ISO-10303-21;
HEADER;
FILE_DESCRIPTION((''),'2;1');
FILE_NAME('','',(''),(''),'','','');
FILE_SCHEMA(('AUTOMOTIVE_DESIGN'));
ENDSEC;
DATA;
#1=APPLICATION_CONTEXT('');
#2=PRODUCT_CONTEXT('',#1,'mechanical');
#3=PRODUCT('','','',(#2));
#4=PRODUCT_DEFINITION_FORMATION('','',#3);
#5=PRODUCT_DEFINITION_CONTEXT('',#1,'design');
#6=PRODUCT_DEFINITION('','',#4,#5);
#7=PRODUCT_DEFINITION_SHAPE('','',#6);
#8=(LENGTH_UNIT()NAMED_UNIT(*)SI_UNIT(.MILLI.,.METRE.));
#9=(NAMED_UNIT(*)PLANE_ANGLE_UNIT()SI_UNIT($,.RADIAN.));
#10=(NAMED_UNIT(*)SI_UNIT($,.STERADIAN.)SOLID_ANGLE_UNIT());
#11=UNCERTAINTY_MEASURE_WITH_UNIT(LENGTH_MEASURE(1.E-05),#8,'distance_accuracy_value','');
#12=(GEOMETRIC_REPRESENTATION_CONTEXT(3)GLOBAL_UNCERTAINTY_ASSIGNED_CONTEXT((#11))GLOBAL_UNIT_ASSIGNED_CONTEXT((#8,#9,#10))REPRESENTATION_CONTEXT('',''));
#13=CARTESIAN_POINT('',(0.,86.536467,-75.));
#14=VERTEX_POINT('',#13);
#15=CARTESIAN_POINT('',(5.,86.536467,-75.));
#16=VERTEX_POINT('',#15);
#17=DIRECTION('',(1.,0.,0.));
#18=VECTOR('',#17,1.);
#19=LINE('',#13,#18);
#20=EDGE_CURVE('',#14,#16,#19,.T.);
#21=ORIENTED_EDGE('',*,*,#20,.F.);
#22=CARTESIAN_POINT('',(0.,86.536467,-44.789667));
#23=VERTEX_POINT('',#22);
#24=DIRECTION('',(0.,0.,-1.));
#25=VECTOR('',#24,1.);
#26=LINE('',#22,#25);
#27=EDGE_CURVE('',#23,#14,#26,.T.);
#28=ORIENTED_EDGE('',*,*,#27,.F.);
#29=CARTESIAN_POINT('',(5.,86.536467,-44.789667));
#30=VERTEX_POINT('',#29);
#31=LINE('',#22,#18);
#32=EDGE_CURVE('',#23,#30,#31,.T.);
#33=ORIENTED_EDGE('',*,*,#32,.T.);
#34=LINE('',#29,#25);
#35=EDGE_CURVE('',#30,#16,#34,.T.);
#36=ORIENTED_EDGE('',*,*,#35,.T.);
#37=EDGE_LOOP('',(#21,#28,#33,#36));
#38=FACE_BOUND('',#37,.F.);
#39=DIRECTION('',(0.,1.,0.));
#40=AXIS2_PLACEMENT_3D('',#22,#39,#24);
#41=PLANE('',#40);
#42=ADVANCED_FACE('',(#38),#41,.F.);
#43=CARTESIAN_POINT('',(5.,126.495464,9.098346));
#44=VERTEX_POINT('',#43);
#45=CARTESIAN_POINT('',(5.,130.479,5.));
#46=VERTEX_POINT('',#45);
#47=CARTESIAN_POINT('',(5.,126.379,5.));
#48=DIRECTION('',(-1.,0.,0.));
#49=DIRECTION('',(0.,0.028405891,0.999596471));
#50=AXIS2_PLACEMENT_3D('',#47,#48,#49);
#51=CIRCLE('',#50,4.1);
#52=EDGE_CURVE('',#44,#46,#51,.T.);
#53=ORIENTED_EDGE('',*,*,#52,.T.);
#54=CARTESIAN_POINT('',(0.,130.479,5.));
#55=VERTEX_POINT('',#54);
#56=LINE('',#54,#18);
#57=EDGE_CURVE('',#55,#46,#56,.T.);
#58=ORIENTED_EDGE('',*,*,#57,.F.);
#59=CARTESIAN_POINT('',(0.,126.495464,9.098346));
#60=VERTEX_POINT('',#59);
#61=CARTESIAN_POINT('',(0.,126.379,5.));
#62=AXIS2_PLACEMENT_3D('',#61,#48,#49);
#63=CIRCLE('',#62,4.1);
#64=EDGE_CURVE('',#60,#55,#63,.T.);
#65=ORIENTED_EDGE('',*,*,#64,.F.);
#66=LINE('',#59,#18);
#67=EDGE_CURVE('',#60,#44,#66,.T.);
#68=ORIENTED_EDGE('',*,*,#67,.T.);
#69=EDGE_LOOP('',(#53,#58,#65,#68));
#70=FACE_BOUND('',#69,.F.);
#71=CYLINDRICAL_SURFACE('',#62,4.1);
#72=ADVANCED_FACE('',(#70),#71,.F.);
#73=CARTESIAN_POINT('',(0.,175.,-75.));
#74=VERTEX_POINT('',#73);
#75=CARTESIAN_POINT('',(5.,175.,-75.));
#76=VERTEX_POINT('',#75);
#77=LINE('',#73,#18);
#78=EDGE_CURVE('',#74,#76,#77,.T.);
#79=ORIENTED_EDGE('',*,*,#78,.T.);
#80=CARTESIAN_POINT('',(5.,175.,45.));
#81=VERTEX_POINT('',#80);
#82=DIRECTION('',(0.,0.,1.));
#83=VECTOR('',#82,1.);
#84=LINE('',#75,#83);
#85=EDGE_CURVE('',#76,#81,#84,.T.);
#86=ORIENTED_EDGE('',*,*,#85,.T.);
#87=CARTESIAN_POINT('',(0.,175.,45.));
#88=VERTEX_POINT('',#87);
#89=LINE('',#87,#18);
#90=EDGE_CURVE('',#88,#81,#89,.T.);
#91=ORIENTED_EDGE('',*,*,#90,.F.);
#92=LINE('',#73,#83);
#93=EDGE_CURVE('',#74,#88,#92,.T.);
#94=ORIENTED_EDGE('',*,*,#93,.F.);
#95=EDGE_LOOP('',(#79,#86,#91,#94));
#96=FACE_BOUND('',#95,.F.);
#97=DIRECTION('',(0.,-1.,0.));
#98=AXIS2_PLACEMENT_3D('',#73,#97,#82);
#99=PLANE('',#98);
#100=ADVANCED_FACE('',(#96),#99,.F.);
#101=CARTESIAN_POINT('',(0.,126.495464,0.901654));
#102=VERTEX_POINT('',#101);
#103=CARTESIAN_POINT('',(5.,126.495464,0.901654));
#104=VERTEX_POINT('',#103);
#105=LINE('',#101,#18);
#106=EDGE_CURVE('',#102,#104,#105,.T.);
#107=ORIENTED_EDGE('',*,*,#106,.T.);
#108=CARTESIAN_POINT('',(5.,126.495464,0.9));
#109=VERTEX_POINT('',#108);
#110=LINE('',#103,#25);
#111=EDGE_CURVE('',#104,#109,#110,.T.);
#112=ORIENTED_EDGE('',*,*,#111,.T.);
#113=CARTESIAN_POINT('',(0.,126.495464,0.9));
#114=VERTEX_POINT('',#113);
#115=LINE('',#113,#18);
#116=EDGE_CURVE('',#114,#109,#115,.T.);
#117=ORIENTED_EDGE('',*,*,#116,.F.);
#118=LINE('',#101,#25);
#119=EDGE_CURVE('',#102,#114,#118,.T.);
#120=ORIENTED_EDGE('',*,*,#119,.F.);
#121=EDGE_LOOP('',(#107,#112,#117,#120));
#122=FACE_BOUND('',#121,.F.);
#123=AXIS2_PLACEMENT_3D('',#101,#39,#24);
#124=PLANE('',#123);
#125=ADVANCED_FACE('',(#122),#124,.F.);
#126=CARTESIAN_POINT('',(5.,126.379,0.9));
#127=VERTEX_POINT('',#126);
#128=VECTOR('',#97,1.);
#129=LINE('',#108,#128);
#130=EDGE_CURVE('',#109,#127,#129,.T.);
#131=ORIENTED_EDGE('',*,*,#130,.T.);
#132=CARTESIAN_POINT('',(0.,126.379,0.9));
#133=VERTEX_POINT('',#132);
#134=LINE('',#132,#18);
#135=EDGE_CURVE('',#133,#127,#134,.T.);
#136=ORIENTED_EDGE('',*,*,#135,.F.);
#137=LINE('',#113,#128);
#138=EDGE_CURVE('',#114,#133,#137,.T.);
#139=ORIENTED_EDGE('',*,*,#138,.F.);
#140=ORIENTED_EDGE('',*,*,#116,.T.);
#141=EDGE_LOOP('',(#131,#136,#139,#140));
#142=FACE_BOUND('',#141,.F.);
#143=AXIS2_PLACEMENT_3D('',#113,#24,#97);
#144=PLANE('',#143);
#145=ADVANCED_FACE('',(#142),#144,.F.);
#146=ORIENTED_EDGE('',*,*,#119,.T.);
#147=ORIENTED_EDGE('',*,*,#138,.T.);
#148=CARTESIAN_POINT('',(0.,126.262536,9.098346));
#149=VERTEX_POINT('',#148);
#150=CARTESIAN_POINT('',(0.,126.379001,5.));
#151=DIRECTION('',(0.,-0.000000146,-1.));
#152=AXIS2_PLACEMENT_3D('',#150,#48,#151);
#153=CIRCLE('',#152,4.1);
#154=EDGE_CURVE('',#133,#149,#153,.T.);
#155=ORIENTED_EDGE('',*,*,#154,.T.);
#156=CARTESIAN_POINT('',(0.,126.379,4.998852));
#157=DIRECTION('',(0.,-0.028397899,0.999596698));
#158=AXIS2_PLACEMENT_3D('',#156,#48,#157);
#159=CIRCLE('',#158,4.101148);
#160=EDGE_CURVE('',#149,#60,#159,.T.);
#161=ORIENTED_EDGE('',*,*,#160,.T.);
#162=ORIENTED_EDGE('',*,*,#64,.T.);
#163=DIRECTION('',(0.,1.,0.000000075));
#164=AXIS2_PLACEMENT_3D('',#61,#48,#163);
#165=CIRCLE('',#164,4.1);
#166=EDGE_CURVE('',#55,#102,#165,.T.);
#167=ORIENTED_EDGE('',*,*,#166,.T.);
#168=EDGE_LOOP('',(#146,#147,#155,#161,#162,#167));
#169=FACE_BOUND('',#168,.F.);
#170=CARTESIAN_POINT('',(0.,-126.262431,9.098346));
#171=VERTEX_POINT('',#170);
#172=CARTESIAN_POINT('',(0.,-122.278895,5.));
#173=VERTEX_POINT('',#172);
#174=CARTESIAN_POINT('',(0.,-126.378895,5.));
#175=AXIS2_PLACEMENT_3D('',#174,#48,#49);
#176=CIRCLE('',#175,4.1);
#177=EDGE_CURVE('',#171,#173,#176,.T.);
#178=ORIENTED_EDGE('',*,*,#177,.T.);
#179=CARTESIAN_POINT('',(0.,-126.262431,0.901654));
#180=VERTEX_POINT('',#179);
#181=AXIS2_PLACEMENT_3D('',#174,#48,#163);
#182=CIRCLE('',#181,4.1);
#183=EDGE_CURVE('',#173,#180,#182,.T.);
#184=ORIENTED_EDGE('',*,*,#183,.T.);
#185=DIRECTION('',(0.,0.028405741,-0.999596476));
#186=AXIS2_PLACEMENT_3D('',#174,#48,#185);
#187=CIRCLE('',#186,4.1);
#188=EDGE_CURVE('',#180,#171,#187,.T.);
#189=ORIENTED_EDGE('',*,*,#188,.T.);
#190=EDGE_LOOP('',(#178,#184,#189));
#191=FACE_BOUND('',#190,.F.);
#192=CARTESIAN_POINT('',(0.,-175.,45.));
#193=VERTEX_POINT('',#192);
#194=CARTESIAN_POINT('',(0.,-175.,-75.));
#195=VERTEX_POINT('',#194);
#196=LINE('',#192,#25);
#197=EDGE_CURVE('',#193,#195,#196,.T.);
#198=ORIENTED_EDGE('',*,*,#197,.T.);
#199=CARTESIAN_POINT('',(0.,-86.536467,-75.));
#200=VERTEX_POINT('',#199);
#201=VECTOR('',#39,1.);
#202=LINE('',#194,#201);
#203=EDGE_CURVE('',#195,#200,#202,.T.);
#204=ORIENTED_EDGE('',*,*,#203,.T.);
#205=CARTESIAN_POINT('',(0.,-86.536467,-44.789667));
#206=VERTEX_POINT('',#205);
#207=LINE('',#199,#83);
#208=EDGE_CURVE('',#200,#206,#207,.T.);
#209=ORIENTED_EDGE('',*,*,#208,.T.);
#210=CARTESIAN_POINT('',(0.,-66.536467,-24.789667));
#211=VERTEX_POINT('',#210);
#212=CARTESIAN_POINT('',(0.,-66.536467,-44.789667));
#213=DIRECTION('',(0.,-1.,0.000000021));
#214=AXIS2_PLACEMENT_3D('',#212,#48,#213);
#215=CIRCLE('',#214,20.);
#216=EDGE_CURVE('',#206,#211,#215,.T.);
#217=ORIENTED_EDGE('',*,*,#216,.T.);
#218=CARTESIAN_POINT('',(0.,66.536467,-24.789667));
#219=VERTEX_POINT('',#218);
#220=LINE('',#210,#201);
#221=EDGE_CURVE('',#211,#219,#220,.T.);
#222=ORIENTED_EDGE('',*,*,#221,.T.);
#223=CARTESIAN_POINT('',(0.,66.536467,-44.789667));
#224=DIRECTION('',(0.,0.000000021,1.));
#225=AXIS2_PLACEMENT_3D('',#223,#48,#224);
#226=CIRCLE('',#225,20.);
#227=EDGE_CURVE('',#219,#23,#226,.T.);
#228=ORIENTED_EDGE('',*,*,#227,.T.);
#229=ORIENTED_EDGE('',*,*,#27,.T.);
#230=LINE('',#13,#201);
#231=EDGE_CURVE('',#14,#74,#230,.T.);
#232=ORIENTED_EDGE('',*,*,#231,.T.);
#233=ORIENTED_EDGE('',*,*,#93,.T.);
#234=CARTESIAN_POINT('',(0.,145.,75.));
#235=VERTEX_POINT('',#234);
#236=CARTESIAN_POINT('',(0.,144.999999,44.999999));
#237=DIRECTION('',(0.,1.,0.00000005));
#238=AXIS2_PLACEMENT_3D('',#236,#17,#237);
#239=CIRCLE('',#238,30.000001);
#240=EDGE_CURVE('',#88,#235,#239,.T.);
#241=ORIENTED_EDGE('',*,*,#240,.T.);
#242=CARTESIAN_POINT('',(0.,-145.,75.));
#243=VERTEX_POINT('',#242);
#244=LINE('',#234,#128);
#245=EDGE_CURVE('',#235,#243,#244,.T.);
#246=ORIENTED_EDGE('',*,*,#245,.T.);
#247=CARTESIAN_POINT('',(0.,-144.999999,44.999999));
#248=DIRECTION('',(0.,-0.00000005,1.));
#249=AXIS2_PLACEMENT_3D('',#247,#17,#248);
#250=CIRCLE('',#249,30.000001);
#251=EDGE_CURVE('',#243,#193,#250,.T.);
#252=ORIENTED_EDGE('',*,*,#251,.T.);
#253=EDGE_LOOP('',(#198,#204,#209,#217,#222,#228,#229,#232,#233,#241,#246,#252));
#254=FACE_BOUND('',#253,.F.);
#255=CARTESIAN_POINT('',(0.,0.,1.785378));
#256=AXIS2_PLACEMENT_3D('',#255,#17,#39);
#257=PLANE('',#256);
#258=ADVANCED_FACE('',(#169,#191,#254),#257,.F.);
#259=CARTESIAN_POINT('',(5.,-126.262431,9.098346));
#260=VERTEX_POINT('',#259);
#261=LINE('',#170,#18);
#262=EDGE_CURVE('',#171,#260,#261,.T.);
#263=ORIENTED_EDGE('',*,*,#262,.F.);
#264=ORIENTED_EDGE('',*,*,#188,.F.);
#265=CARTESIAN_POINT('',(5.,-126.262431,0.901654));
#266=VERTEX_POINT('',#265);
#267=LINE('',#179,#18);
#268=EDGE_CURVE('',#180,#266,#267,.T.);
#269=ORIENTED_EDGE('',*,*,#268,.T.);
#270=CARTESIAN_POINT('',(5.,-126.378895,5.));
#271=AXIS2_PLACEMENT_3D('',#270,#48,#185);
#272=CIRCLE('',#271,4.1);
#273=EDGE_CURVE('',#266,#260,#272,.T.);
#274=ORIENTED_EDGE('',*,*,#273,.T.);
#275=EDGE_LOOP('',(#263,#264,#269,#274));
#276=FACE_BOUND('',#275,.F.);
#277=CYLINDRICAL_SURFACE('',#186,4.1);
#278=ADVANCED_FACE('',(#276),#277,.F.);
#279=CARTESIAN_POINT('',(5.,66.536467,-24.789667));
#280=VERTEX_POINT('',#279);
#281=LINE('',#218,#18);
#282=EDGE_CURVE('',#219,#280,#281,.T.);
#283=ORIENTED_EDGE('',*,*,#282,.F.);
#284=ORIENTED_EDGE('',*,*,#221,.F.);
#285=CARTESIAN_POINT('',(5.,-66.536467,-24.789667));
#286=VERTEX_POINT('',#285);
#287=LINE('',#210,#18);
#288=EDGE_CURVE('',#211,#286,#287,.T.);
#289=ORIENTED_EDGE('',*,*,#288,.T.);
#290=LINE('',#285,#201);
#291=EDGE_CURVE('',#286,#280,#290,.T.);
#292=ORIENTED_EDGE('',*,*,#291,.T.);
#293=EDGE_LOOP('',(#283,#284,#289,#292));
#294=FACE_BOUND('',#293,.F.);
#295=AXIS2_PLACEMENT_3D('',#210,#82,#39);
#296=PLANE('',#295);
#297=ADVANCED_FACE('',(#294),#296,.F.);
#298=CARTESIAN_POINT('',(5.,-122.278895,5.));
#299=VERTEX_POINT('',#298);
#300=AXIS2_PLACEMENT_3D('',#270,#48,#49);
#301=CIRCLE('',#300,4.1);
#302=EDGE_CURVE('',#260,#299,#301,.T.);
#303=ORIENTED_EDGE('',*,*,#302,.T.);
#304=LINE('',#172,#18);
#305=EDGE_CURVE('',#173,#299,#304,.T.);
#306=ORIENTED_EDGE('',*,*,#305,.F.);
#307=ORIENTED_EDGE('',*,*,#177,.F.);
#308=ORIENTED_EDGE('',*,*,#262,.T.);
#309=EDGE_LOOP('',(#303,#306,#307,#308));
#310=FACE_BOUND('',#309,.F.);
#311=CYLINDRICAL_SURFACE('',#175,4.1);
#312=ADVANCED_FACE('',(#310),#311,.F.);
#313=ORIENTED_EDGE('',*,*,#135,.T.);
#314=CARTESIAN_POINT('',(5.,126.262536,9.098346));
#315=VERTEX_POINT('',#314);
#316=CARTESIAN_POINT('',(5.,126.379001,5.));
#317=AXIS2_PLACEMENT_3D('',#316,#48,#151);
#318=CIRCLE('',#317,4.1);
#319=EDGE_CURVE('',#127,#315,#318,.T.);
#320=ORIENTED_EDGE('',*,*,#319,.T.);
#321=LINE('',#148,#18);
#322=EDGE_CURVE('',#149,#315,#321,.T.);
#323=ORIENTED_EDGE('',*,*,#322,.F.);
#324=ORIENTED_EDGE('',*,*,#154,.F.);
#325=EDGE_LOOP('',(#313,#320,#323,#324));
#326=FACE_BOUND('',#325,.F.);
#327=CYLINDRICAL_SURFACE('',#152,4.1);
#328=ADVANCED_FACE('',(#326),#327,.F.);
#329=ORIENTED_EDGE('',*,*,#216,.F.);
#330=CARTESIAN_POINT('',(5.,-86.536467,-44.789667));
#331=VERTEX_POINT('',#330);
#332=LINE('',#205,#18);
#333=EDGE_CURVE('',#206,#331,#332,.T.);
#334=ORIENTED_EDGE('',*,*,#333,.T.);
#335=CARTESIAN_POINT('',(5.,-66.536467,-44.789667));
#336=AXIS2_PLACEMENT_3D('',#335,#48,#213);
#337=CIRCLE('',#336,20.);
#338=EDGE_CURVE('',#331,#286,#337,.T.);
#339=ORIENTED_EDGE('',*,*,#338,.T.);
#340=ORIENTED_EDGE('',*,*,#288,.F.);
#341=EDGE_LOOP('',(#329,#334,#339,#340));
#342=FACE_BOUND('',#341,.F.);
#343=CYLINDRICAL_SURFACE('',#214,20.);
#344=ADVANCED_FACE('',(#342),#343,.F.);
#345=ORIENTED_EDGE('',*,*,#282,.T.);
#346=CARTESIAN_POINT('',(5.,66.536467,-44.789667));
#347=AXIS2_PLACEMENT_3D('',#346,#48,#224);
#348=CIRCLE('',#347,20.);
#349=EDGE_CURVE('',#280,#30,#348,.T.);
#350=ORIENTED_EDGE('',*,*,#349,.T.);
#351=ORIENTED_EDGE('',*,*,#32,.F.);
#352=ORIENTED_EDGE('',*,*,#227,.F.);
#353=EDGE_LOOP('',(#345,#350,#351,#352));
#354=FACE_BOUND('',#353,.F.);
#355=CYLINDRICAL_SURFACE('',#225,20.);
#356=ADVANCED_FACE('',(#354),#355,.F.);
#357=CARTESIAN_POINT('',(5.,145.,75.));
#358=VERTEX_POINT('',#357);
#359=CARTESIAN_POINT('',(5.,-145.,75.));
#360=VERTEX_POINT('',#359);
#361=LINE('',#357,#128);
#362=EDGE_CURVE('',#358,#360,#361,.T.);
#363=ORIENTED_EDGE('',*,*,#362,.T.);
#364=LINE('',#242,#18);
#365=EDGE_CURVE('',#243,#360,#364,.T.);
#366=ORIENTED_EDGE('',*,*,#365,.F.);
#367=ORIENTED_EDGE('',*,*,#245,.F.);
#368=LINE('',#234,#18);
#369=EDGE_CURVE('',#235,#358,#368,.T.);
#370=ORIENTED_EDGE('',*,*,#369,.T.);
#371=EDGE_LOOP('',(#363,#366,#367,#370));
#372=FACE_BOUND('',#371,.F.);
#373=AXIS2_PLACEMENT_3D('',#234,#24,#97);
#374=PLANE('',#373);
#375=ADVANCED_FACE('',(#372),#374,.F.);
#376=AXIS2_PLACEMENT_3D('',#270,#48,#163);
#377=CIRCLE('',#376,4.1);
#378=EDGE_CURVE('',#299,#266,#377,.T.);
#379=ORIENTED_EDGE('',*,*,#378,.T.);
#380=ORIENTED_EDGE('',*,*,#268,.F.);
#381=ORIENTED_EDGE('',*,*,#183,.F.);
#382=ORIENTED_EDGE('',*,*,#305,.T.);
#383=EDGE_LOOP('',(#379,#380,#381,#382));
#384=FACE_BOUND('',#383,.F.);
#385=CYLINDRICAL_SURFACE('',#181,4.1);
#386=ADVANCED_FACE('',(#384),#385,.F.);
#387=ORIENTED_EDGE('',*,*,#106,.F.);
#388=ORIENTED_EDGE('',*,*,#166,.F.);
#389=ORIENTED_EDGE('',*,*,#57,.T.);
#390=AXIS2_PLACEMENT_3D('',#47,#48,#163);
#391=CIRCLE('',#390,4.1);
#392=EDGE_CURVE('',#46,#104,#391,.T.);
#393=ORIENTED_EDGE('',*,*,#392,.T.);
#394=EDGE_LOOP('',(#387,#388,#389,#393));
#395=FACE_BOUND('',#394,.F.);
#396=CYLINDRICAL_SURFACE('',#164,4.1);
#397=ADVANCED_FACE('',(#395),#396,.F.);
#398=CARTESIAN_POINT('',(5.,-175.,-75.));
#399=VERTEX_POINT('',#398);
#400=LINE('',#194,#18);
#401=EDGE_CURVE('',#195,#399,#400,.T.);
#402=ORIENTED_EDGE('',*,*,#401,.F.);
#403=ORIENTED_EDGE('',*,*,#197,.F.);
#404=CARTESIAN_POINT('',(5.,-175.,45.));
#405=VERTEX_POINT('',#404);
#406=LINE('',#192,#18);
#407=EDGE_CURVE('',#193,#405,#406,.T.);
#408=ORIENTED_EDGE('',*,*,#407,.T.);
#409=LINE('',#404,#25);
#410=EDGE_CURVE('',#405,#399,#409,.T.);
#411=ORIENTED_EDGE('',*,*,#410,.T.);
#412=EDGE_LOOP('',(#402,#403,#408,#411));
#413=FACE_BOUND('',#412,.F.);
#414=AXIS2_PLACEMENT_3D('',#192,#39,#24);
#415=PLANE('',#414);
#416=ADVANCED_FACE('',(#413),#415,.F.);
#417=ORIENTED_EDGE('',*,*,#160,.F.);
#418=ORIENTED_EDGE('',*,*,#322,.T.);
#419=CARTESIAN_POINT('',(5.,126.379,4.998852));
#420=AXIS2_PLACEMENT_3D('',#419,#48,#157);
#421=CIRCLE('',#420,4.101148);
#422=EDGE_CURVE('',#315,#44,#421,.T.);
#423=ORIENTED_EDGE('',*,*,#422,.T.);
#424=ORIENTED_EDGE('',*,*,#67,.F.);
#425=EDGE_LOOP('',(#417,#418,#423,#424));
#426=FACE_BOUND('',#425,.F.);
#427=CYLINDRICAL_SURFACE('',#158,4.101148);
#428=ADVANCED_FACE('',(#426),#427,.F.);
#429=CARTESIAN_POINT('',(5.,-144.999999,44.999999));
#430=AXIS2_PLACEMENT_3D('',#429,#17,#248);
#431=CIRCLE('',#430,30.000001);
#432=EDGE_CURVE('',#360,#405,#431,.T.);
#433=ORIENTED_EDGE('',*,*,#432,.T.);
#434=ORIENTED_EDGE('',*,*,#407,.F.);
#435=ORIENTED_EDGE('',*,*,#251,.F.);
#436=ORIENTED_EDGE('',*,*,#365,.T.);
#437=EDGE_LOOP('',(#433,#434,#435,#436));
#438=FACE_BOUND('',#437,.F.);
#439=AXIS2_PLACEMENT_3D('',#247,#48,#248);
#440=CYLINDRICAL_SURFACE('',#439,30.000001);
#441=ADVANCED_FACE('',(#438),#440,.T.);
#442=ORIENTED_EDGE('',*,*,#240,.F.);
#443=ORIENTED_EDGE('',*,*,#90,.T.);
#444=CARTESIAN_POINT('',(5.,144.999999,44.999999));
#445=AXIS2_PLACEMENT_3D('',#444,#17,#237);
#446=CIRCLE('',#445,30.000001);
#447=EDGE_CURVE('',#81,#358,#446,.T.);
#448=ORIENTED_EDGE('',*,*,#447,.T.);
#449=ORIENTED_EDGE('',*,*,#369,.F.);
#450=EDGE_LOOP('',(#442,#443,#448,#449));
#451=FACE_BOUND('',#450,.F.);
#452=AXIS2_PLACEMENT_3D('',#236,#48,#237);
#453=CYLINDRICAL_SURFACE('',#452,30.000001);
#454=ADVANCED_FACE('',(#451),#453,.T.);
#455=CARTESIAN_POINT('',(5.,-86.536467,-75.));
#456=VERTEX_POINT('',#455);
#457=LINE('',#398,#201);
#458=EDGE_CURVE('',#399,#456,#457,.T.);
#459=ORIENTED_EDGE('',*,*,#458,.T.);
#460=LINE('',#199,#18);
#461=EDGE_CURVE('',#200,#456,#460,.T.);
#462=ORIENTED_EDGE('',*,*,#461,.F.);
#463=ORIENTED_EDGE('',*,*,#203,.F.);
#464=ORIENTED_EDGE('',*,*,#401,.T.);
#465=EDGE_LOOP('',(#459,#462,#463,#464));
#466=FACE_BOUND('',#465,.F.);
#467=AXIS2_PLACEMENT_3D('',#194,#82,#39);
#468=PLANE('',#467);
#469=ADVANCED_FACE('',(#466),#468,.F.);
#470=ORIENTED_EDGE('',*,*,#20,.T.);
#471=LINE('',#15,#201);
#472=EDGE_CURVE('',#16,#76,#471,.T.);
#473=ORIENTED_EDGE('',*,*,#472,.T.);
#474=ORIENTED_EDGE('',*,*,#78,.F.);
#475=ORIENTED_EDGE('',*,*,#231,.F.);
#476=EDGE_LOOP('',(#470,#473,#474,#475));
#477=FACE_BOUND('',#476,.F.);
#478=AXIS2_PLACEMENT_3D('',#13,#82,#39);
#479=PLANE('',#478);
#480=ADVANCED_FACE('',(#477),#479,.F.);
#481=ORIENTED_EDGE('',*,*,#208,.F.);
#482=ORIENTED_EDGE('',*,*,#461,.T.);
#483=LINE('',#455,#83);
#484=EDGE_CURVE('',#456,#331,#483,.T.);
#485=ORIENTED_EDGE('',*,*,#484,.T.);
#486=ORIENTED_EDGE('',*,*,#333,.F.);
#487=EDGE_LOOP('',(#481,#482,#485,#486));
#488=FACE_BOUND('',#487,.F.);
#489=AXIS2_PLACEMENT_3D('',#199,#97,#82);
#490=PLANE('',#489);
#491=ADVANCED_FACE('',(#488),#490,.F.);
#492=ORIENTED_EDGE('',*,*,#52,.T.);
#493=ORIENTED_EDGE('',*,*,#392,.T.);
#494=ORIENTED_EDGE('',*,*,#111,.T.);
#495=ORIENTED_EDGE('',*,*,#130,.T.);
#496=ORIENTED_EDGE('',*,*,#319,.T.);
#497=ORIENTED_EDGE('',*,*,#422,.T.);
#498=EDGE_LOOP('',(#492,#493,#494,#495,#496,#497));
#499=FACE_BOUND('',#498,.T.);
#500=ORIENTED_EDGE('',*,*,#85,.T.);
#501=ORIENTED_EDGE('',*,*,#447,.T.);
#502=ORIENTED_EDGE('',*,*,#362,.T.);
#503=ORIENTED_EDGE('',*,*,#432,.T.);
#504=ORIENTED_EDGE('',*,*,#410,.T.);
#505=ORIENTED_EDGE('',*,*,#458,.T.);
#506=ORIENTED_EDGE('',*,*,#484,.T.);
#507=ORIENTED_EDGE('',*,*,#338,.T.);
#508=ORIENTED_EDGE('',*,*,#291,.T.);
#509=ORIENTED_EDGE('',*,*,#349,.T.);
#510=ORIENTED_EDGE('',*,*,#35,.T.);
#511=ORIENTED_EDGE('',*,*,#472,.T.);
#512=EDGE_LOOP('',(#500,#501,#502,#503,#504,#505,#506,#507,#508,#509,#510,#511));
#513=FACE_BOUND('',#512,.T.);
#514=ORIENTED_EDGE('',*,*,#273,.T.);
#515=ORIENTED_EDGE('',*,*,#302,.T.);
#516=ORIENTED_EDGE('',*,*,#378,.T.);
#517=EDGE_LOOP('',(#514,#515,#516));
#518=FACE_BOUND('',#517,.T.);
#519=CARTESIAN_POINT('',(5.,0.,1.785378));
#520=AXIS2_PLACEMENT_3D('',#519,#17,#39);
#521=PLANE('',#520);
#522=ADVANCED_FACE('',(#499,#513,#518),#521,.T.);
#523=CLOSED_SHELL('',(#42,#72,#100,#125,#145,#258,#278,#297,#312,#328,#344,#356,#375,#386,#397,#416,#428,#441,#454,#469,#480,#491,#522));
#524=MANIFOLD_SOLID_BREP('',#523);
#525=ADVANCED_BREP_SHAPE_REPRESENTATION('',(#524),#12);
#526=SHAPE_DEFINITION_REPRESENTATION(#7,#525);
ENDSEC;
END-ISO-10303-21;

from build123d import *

# Parameters (mm, degrees)
F1_DEPTH = 5


with BuildPart() as f1:
    # F0 (on Right) → F1 (new body)
    with BuildSketch(Plane.YZ):
        with BuildLine():
            Line((86.536467, -75), (175, -75))
            Line((175, -75), (175, 45))
            ThreePointArc((175, 45), (166.213203, 66.213203), (145, 75))
            Line((145, 75), (4, 75))
            Line((4, 75), (-4, 75))
            Line((-4, 75), (-145, 75))
            ThreePointArc((-145, 75), (-166.213203, 66.213203), (-175, 45))
            Line((-175, 45), (-175, -75))
            Line((-175, -75), (-86.536467, -75))
            Line((-86.536467, -75), (-86.536467, -44.789667))
            ThreePointArc((-86.536467, -44.789667), (-80.678603, -30.647532), (-66.536467, -24.789667))
            Line((-66.536467, -24.789667), (0, -24.789667))
            Line((0, -24.789667), (66.536467, -24.789667))
            ThreePointArc((66.536467, -24.789667), (80.678603, -30.647532), (86.536467, -44.789667))
            Line((86.536467, -44.789667), (86.536467, -75))
        make_face()
        with BuildLine():
            ThreePointArc((-126.262431, 9.098346), (-123.438869, 7.857665), (-122.278895, 5))
            ThreePointArc((-122.278895, 5), (-123.438869, 2.142335), (-126.262431, 0.901654))
            ThreePointArc((-126.262431, 0.901654), (-130.478895, 5), (-126.262431, 9.098346))
        make_face(mode=Mode.SUBTRACT)
        with BuildLine():
            ThreePointArc((126.495464, 9.098346), (129.319026, 7.857665), (130.479, 5))
            ThreePointArc((130.479, 5), (129.319026, 2.142335), (126.495464, 0.901654))
            Line((126.495464, 0.901654), (126.495464, 0.9))
            Line((126.495464, 0.9), (126.379, 0.9))
            ThreePointArc((126.379, 0.9), (122.279414, 4.941762), (126.262536, 9.098346))
            ThreePointArc((126.262536, 9.098346), (126.379, 9.1), (126.495464, 9.098346))
        make_face(mode=Mode.SUBTRACT)
    extrude(amount=F1_DEPTH)


solid = f1.part
